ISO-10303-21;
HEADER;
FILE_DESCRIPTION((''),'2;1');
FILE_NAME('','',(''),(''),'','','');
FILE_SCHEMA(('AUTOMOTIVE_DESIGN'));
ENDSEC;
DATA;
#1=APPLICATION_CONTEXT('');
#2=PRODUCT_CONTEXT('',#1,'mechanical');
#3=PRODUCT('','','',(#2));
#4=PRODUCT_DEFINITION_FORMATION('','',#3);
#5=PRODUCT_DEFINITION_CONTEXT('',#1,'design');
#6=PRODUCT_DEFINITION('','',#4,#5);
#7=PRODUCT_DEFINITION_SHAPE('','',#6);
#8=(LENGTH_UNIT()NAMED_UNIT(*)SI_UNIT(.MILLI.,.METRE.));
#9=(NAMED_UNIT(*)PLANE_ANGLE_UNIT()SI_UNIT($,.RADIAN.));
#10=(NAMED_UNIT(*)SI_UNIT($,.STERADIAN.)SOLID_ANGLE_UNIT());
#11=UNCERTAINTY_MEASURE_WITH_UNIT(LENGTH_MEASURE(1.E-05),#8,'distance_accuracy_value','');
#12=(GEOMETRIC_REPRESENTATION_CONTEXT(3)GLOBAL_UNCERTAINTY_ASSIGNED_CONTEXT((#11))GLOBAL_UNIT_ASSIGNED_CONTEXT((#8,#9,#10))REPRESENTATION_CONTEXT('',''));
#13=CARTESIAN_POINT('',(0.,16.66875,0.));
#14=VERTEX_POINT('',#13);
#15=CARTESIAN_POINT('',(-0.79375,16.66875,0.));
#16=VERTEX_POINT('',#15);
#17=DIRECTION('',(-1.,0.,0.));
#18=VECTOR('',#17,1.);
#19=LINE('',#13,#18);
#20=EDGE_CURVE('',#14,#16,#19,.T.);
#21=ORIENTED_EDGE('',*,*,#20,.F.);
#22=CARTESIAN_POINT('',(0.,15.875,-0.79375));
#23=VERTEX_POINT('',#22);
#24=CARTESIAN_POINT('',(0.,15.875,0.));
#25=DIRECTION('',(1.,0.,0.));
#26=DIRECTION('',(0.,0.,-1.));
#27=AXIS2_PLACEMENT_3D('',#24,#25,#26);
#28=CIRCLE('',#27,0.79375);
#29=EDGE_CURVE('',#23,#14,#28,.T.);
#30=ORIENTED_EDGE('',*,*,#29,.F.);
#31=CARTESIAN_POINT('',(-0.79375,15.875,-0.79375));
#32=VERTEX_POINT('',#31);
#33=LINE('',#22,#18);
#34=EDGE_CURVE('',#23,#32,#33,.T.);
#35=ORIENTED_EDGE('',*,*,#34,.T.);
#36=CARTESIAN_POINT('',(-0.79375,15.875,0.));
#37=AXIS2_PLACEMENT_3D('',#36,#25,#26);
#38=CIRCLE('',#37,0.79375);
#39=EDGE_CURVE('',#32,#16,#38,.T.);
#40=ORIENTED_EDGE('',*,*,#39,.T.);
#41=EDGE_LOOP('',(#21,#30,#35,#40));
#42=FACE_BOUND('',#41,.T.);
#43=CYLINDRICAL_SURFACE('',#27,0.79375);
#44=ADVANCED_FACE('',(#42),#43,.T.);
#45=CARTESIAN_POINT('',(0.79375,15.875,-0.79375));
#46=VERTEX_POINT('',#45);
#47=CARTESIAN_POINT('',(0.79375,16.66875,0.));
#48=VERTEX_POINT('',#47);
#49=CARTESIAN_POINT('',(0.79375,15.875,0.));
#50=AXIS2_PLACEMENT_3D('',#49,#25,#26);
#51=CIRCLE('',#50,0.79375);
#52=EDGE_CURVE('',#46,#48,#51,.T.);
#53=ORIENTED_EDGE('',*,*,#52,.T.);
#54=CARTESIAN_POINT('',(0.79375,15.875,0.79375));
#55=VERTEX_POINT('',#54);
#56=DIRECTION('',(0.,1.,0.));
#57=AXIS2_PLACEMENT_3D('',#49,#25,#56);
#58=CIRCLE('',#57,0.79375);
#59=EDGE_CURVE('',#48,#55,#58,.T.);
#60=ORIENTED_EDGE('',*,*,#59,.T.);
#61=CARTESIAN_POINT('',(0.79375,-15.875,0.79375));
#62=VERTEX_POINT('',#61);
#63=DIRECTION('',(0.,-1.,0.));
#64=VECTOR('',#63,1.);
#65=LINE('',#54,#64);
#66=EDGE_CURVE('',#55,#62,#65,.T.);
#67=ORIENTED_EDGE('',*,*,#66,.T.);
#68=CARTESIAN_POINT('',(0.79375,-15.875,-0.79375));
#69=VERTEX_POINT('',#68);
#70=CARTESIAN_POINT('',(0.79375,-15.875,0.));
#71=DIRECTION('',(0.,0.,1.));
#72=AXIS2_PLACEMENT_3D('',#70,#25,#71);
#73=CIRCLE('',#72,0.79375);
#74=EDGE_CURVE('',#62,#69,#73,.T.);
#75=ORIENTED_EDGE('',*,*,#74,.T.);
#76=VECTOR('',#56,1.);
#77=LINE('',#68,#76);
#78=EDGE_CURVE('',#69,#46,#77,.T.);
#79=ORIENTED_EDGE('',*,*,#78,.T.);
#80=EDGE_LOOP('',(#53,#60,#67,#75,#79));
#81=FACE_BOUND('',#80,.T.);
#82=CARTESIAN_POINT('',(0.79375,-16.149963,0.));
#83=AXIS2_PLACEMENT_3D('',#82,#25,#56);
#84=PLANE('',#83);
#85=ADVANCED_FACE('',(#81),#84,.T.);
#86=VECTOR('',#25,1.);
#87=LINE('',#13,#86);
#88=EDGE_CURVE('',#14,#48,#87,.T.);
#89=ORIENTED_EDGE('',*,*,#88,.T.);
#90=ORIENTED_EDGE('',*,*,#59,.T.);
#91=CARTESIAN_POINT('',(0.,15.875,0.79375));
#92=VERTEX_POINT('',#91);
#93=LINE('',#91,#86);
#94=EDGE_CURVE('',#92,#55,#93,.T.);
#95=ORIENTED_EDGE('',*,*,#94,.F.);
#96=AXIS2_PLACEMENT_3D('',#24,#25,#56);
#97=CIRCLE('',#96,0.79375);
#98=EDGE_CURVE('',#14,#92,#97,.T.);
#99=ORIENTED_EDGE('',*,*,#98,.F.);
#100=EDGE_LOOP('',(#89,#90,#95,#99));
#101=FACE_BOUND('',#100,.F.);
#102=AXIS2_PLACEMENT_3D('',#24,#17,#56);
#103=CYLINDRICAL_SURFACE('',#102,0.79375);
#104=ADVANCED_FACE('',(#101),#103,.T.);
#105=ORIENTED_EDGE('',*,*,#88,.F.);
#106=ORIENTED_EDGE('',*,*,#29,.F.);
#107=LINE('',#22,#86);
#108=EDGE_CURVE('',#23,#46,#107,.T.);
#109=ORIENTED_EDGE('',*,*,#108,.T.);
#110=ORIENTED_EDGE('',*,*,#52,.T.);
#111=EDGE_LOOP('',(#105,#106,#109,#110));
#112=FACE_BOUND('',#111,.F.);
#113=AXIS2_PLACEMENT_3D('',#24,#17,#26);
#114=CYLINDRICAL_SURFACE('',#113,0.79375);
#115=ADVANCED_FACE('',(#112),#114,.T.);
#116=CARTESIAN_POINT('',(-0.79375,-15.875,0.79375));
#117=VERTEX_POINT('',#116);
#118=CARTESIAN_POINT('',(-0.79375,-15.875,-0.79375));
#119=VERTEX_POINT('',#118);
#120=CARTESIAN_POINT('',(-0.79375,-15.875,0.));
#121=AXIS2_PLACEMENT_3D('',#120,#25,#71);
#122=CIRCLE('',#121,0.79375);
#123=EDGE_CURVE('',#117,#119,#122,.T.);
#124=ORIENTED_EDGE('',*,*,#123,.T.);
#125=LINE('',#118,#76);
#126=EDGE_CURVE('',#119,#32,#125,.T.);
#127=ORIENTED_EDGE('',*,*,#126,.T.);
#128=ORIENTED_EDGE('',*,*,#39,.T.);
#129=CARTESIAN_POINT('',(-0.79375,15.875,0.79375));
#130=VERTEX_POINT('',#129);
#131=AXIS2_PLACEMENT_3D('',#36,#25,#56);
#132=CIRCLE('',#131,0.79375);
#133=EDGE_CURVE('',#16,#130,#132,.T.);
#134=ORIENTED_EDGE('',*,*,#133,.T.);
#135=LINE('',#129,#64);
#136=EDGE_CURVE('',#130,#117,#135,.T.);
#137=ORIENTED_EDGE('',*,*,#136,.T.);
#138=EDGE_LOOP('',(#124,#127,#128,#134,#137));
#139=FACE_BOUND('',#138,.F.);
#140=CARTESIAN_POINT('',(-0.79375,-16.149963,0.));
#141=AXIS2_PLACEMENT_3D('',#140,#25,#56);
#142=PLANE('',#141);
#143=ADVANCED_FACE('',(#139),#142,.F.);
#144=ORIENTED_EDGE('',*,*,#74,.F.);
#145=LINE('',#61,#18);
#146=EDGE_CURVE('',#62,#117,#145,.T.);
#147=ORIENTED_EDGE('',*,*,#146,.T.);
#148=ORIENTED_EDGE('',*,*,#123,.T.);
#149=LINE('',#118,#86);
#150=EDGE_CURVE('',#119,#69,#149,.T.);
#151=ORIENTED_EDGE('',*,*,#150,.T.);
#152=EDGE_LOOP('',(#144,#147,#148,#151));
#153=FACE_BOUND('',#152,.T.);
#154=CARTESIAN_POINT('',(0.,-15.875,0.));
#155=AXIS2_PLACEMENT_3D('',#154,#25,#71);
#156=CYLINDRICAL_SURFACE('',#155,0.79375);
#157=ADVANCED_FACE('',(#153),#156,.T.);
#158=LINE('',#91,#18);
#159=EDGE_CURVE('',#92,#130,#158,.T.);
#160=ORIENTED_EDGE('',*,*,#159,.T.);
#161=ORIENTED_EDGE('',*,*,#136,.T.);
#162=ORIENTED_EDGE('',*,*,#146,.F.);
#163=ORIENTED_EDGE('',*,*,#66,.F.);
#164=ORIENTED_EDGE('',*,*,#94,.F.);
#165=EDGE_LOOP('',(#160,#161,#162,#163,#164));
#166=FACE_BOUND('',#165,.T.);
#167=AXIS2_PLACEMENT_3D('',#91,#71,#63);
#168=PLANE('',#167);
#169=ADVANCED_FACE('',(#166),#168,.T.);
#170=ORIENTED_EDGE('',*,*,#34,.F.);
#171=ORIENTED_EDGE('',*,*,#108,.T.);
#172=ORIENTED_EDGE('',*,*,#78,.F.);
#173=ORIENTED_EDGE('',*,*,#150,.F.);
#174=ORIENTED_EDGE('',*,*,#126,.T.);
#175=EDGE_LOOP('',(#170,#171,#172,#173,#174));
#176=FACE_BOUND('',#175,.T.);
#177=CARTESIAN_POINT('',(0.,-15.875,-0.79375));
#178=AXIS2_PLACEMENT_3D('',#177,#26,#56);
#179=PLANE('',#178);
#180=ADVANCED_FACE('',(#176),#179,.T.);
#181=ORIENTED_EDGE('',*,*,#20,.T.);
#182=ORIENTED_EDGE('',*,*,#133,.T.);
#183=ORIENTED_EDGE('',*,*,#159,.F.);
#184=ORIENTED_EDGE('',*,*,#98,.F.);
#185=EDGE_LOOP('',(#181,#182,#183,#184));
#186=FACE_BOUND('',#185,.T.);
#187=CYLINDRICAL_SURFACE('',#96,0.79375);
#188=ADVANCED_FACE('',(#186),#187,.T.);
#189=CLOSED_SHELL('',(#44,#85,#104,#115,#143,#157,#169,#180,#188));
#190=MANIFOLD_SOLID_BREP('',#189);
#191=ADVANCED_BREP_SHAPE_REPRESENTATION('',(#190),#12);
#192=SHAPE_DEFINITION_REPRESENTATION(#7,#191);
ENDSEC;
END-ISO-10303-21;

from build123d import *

# Parameters (mm, degrees)
F1_DEPTH = 0.79375


with BuildPart() as f1:
    # F0 (on Right) → F1 (new body, symmetric)
    with BuildSketch(Plane.YZ):
        with BuildLine():
            ThreePointArc((-15.875, 0.79375), (-16.66875, 0), (-15.875, -0.79375))
            Line((-15.875, -0.79375), (-15.875, 0.79375))
        make_face()
        with BuildLine():
            Line((-15.875, 0.79375), (-15.875, -0.79375))
            ThreePointArc((-15.875, -0.79375), (-15.3137339924, -0.5612660076), (-15.08125, 0))
            ThreePointArc((-15.08125, 0), (-15.3137339924, 0.5612660076), (-15.875, 0.79375))
        make_face()
        with BuildLine():
            Line((-15.875, -0.79375), (15.875, -0.79375))
            ThreePointArc((15.875, -0.79375), (15.08125, 0), (15.875, 0.79375))
            Line((15.875, 0.79375), (-15.875, 0.79375))
            ThreePointArc((-15.875, 0.79375), (-15.3137339924, 0.5612660076), (-15.08125, 0))
            ThreePointArc((-15.08125, 0), (-15.3137339924, -0.5612660076), (-15.875, -0.79375))
        make_face()
        with BuildLine():
            ThreePointArc((15.875, 0.79375), (15.08125, 0), (15.875, -0.79375))
            Line((15.875, -0.79375), (15.875, 0.79375))
        make_face()
        with BuildLine():
            Line((15.875, 0.79375), (15.875, -0.79375))
            ThreePointArc((15.875, -0.79375), (16.4362660076, -0.5612660076), (16.66875, 0))
            ThreePointArc((16.66875, 0), (16.4362660076, 0.5612660076), (15.875, 0.79375))
        make_face()
    extrude(amount=F1_DEPTH, both=True)


solid = f1.part
